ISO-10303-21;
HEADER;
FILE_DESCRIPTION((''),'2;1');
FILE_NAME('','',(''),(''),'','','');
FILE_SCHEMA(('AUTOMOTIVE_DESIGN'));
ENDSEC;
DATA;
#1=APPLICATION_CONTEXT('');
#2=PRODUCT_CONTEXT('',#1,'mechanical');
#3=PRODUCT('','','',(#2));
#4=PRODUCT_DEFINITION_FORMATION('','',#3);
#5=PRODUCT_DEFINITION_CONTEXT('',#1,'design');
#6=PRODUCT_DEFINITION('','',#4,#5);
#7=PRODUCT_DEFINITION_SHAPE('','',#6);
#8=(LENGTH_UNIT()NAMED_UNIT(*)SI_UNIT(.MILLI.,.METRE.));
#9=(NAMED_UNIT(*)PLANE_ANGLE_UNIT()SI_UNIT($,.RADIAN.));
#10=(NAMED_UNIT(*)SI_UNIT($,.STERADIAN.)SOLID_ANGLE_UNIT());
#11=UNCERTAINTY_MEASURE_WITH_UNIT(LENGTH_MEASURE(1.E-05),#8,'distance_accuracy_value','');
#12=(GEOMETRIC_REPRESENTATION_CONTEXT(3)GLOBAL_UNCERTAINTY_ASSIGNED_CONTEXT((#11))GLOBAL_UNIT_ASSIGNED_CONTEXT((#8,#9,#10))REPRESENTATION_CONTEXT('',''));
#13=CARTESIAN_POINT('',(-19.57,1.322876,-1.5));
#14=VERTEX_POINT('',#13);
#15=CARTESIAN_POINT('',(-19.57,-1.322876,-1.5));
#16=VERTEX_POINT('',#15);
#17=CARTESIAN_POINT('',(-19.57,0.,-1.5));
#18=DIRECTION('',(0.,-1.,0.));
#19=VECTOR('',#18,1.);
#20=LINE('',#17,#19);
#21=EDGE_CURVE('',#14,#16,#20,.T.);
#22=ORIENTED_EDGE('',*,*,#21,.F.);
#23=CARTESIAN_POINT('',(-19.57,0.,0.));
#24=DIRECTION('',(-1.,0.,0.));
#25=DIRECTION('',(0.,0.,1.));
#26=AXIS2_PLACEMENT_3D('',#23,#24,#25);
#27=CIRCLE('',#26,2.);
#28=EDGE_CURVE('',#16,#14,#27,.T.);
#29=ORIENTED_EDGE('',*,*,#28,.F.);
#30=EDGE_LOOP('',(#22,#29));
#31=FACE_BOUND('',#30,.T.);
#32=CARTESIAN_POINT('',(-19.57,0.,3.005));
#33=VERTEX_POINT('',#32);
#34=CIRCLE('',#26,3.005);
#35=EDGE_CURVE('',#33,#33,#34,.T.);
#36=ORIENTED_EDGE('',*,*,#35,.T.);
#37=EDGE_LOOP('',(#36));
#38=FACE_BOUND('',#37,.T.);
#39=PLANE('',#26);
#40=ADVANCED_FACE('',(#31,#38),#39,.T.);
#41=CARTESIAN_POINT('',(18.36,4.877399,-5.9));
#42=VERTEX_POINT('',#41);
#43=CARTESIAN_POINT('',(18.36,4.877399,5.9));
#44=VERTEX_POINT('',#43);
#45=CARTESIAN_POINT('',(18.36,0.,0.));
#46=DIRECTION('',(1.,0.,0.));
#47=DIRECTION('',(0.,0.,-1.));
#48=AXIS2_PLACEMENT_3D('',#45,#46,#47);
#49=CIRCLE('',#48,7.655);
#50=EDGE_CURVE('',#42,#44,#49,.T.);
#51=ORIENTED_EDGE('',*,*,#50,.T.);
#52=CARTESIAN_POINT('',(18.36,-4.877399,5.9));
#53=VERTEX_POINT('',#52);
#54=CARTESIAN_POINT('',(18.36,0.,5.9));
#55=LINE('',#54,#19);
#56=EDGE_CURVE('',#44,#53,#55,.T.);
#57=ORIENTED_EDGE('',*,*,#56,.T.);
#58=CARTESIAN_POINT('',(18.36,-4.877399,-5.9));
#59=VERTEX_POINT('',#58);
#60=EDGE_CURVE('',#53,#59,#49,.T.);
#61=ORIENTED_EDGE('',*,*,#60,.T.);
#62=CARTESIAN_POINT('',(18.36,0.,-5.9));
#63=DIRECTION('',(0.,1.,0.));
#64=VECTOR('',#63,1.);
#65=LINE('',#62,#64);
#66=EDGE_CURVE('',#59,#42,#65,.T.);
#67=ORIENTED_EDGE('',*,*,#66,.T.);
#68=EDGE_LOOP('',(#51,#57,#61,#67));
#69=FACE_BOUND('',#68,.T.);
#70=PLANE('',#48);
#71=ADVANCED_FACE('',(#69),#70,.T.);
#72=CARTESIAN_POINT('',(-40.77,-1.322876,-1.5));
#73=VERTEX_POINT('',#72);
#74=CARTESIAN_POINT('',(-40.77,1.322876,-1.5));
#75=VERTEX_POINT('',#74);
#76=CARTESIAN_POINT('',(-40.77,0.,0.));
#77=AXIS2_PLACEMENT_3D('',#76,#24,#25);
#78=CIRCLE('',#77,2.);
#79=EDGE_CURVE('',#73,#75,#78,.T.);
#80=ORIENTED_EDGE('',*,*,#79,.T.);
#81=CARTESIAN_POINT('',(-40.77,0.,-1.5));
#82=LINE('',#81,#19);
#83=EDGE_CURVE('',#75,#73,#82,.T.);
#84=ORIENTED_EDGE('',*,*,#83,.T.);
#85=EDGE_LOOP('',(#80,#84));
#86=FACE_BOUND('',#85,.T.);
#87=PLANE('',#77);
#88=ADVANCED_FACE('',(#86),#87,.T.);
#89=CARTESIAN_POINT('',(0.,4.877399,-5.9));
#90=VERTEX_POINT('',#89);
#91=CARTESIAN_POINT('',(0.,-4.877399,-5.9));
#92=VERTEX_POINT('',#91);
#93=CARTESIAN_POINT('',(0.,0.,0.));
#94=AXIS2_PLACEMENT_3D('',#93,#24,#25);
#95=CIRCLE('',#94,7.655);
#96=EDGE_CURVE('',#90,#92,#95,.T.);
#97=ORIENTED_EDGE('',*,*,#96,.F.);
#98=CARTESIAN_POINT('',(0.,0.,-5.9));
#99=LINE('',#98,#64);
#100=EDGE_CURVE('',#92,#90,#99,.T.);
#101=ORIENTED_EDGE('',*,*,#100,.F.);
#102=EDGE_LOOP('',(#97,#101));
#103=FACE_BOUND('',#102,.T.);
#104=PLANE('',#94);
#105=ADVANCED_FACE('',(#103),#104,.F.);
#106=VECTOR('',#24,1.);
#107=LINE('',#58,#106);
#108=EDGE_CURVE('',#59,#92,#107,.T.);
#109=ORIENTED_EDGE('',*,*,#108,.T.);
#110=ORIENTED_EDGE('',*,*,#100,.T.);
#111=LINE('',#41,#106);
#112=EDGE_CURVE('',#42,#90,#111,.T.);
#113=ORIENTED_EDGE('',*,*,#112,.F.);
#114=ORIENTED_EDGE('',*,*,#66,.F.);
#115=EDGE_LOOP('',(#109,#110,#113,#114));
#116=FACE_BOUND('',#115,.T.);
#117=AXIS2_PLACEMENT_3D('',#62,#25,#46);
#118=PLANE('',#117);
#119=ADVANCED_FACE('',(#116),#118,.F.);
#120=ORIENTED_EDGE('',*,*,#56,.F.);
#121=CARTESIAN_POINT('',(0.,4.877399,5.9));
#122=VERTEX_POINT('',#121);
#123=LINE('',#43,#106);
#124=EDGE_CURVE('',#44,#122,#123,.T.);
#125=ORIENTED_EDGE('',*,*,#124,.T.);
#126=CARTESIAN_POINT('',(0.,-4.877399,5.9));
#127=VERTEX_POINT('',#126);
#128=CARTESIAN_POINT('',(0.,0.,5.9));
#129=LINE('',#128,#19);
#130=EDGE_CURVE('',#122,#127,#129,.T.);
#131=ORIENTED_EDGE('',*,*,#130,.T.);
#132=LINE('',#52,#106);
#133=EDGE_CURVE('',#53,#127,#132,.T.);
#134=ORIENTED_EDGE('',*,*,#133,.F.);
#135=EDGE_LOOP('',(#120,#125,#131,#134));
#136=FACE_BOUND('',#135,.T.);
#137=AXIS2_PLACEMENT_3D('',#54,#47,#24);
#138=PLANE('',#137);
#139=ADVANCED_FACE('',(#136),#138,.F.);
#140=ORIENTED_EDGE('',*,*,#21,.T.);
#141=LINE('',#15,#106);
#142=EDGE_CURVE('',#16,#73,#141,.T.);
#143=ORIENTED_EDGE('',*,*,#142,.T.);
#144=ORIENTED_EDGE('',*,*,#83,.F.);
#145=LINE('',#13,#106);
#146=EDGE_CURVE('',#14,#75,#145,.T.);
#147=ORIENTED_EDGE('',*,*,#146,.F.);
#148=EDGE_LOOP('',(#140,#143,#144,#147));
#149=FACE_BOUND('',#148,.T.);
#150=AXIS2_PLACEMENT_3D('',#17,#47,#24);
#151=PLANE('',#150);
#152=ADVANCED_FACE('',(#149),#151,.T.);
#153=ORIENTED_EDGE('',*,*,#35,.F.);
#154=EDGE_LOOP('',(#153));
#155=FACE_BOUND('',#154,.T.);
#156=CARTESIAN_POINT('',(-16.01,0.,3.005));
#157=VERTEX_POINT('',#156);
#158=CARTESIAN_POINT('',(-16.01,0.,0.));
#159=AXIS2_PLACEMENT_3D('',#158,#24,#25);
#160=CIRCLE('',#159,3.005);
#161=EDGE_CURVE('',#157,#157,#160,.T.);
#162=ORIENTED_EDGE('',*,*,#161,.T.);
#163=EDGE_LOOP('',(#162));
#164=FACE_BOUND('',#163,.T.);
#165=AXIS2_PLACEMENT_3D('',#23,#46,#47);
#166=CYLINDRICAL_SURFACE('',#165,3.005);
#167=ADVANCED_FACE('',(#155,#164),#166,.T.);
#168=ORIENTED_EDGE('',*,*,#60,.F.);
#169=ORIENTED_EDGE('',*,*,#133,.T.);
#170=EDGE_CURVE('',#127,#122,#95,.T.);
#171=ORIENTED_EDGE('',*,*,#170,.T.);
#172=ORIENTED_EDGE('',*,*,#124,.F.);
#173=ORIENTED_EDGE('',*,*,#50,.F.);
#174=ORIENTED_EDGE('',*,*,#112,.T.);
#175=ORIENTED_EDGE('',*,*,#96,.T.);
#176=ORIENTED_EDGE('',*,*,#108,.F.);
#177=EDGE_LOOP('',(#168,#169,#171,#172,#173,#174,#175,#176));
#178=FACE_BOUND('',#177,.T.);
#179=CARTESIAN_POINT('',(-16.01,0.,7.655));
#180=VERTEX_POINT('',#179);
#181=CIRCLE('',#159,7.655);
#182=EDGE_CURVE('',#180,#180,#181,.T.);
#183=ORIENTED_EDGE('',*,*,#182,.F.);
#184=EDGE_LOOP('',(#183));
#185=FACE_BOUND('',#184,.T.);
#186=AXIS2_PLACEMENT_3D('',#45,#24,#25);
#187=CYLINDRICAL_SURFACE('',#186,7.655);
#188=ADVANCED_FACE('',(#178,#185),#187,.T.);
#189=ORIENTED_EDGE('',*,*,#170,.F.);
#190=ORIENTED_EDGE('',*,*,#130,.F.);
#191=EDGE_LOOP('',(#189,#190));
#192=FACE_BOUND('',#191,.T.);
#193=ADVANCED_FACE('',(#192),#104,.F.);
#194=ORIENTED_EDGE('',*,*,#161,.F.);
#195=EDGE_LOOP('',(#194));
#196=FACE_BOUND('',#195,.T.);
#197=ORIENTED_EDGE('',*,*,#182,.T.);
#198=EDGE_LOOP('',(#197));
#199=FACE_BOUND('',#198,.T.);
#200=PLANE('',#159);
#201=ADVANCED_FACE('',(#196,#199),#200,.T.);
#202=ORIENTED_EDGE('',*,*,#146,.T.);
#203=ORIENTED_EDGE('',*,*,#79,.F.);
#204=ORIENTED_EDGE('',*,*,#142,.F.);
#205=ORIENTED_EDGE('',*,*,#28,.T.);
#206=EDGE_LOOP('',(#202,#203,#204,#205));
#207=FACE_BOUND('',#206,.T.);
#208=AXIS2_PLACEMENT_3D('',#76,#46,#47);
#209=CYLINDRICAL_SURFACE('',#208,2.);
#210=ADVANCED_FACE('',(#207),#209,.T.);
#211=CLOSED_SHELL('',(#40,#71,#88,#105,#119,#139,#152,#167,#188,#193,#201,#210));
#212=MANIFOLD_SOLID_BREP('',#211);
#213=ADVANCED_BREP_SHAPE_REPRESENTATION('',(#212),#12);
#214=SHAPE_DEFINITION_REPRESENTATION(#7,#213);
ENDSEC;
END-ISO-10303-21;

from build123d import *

# Parameters (mm, degrees)
BOSS_EXTRUDE1_DEPTH = 18.36
BOSS_EXTRUDE2_START = 16.01
SKETCH2_R           = 7.655
BOSS_EXTRUDE2_DEPTH = 16.01
SKETCH3_R           = 3.005
BOSS_EXTRUDE3_DEPTH = 3.56
SKETCH4_R           = 2
BOSS_EXTRUDE4_DEPTH = 21.2
CUT_EXTRUDE1_START  = -21.2
CUT_EXTRUDE1_DEPTH  = 21.2


with BuildPart() as part:
    # Sketch1 → Boss-Extrude1 (new body)
    with BuildSketch(Plane(origin=(0, 0, 0), x_dir=(0, 0, -1), z_dir=(1, 0, 0))):
        with BuildLine():
            Line((-5.9, 0), (-5.9, 4.87739941))
            ThreePointArc((-5.9, 4.87739941), (0, 7.655), (5.9, 4.87739941))
            Line((5.9, 4.87739941), (5.9, 0))
            Line((5.9, 0), (5.9, -4.87739941))
            ThreePointArc((5.9, -4.87739941), (0, -7.655), (-5.9, -4.87739941))
            Line((-5.9, -4.87739941), (-5.9, 0))
        make_face()
    extrude(amount=BOSS_EXTRUDE1_DEPTH)

    # Sketch2 → Boss-Extrude2 (add)
    with BuildSketch(Plane.ZY.offset(BOSS_EXTRUDE2_START)):
        Circle(SKETCH2_R)
    extrude(amount=-BOSS_EXTRUDE2_DEPTH)

    # Sketch3 → Boss-Extrude3 (add)
    with BuildSketch(Plane.ZY.offset(16.01)):
        Circle(SKETCH3_R)
    extrude(amount=BOSS_EXTRUDE3_DEPTH)

    # Sketch4 → Boss-Extrude4 (add)
    with BuildSketch(Plane.ZY.offset(19.57)):
        Circle(SKETCH4_R)
    extrude(amount=BOSS_EXTRUDE4_DEPTH)

    # Sketch5 → Cut-Extrude1 (cut)
    with BuildSketch(Plane.ZY.offset(40.77).offset(CUT_EXTRUDE1_START)):
        with BuildLine():
            Line((-1.5, -1.322875656), (-1.5, 0))
            Line((-1.5, 0), (-1.5, 1.322875656))
            ThreePointArc((-1.5, 1.322875656), (-2, 0), (-1.5, -1.322875656))
        make_face()
    extrude(amount=CUT_EXTRUDE1_DEPTH, mode=Mode.SUBTRACT)


solid = part.part
